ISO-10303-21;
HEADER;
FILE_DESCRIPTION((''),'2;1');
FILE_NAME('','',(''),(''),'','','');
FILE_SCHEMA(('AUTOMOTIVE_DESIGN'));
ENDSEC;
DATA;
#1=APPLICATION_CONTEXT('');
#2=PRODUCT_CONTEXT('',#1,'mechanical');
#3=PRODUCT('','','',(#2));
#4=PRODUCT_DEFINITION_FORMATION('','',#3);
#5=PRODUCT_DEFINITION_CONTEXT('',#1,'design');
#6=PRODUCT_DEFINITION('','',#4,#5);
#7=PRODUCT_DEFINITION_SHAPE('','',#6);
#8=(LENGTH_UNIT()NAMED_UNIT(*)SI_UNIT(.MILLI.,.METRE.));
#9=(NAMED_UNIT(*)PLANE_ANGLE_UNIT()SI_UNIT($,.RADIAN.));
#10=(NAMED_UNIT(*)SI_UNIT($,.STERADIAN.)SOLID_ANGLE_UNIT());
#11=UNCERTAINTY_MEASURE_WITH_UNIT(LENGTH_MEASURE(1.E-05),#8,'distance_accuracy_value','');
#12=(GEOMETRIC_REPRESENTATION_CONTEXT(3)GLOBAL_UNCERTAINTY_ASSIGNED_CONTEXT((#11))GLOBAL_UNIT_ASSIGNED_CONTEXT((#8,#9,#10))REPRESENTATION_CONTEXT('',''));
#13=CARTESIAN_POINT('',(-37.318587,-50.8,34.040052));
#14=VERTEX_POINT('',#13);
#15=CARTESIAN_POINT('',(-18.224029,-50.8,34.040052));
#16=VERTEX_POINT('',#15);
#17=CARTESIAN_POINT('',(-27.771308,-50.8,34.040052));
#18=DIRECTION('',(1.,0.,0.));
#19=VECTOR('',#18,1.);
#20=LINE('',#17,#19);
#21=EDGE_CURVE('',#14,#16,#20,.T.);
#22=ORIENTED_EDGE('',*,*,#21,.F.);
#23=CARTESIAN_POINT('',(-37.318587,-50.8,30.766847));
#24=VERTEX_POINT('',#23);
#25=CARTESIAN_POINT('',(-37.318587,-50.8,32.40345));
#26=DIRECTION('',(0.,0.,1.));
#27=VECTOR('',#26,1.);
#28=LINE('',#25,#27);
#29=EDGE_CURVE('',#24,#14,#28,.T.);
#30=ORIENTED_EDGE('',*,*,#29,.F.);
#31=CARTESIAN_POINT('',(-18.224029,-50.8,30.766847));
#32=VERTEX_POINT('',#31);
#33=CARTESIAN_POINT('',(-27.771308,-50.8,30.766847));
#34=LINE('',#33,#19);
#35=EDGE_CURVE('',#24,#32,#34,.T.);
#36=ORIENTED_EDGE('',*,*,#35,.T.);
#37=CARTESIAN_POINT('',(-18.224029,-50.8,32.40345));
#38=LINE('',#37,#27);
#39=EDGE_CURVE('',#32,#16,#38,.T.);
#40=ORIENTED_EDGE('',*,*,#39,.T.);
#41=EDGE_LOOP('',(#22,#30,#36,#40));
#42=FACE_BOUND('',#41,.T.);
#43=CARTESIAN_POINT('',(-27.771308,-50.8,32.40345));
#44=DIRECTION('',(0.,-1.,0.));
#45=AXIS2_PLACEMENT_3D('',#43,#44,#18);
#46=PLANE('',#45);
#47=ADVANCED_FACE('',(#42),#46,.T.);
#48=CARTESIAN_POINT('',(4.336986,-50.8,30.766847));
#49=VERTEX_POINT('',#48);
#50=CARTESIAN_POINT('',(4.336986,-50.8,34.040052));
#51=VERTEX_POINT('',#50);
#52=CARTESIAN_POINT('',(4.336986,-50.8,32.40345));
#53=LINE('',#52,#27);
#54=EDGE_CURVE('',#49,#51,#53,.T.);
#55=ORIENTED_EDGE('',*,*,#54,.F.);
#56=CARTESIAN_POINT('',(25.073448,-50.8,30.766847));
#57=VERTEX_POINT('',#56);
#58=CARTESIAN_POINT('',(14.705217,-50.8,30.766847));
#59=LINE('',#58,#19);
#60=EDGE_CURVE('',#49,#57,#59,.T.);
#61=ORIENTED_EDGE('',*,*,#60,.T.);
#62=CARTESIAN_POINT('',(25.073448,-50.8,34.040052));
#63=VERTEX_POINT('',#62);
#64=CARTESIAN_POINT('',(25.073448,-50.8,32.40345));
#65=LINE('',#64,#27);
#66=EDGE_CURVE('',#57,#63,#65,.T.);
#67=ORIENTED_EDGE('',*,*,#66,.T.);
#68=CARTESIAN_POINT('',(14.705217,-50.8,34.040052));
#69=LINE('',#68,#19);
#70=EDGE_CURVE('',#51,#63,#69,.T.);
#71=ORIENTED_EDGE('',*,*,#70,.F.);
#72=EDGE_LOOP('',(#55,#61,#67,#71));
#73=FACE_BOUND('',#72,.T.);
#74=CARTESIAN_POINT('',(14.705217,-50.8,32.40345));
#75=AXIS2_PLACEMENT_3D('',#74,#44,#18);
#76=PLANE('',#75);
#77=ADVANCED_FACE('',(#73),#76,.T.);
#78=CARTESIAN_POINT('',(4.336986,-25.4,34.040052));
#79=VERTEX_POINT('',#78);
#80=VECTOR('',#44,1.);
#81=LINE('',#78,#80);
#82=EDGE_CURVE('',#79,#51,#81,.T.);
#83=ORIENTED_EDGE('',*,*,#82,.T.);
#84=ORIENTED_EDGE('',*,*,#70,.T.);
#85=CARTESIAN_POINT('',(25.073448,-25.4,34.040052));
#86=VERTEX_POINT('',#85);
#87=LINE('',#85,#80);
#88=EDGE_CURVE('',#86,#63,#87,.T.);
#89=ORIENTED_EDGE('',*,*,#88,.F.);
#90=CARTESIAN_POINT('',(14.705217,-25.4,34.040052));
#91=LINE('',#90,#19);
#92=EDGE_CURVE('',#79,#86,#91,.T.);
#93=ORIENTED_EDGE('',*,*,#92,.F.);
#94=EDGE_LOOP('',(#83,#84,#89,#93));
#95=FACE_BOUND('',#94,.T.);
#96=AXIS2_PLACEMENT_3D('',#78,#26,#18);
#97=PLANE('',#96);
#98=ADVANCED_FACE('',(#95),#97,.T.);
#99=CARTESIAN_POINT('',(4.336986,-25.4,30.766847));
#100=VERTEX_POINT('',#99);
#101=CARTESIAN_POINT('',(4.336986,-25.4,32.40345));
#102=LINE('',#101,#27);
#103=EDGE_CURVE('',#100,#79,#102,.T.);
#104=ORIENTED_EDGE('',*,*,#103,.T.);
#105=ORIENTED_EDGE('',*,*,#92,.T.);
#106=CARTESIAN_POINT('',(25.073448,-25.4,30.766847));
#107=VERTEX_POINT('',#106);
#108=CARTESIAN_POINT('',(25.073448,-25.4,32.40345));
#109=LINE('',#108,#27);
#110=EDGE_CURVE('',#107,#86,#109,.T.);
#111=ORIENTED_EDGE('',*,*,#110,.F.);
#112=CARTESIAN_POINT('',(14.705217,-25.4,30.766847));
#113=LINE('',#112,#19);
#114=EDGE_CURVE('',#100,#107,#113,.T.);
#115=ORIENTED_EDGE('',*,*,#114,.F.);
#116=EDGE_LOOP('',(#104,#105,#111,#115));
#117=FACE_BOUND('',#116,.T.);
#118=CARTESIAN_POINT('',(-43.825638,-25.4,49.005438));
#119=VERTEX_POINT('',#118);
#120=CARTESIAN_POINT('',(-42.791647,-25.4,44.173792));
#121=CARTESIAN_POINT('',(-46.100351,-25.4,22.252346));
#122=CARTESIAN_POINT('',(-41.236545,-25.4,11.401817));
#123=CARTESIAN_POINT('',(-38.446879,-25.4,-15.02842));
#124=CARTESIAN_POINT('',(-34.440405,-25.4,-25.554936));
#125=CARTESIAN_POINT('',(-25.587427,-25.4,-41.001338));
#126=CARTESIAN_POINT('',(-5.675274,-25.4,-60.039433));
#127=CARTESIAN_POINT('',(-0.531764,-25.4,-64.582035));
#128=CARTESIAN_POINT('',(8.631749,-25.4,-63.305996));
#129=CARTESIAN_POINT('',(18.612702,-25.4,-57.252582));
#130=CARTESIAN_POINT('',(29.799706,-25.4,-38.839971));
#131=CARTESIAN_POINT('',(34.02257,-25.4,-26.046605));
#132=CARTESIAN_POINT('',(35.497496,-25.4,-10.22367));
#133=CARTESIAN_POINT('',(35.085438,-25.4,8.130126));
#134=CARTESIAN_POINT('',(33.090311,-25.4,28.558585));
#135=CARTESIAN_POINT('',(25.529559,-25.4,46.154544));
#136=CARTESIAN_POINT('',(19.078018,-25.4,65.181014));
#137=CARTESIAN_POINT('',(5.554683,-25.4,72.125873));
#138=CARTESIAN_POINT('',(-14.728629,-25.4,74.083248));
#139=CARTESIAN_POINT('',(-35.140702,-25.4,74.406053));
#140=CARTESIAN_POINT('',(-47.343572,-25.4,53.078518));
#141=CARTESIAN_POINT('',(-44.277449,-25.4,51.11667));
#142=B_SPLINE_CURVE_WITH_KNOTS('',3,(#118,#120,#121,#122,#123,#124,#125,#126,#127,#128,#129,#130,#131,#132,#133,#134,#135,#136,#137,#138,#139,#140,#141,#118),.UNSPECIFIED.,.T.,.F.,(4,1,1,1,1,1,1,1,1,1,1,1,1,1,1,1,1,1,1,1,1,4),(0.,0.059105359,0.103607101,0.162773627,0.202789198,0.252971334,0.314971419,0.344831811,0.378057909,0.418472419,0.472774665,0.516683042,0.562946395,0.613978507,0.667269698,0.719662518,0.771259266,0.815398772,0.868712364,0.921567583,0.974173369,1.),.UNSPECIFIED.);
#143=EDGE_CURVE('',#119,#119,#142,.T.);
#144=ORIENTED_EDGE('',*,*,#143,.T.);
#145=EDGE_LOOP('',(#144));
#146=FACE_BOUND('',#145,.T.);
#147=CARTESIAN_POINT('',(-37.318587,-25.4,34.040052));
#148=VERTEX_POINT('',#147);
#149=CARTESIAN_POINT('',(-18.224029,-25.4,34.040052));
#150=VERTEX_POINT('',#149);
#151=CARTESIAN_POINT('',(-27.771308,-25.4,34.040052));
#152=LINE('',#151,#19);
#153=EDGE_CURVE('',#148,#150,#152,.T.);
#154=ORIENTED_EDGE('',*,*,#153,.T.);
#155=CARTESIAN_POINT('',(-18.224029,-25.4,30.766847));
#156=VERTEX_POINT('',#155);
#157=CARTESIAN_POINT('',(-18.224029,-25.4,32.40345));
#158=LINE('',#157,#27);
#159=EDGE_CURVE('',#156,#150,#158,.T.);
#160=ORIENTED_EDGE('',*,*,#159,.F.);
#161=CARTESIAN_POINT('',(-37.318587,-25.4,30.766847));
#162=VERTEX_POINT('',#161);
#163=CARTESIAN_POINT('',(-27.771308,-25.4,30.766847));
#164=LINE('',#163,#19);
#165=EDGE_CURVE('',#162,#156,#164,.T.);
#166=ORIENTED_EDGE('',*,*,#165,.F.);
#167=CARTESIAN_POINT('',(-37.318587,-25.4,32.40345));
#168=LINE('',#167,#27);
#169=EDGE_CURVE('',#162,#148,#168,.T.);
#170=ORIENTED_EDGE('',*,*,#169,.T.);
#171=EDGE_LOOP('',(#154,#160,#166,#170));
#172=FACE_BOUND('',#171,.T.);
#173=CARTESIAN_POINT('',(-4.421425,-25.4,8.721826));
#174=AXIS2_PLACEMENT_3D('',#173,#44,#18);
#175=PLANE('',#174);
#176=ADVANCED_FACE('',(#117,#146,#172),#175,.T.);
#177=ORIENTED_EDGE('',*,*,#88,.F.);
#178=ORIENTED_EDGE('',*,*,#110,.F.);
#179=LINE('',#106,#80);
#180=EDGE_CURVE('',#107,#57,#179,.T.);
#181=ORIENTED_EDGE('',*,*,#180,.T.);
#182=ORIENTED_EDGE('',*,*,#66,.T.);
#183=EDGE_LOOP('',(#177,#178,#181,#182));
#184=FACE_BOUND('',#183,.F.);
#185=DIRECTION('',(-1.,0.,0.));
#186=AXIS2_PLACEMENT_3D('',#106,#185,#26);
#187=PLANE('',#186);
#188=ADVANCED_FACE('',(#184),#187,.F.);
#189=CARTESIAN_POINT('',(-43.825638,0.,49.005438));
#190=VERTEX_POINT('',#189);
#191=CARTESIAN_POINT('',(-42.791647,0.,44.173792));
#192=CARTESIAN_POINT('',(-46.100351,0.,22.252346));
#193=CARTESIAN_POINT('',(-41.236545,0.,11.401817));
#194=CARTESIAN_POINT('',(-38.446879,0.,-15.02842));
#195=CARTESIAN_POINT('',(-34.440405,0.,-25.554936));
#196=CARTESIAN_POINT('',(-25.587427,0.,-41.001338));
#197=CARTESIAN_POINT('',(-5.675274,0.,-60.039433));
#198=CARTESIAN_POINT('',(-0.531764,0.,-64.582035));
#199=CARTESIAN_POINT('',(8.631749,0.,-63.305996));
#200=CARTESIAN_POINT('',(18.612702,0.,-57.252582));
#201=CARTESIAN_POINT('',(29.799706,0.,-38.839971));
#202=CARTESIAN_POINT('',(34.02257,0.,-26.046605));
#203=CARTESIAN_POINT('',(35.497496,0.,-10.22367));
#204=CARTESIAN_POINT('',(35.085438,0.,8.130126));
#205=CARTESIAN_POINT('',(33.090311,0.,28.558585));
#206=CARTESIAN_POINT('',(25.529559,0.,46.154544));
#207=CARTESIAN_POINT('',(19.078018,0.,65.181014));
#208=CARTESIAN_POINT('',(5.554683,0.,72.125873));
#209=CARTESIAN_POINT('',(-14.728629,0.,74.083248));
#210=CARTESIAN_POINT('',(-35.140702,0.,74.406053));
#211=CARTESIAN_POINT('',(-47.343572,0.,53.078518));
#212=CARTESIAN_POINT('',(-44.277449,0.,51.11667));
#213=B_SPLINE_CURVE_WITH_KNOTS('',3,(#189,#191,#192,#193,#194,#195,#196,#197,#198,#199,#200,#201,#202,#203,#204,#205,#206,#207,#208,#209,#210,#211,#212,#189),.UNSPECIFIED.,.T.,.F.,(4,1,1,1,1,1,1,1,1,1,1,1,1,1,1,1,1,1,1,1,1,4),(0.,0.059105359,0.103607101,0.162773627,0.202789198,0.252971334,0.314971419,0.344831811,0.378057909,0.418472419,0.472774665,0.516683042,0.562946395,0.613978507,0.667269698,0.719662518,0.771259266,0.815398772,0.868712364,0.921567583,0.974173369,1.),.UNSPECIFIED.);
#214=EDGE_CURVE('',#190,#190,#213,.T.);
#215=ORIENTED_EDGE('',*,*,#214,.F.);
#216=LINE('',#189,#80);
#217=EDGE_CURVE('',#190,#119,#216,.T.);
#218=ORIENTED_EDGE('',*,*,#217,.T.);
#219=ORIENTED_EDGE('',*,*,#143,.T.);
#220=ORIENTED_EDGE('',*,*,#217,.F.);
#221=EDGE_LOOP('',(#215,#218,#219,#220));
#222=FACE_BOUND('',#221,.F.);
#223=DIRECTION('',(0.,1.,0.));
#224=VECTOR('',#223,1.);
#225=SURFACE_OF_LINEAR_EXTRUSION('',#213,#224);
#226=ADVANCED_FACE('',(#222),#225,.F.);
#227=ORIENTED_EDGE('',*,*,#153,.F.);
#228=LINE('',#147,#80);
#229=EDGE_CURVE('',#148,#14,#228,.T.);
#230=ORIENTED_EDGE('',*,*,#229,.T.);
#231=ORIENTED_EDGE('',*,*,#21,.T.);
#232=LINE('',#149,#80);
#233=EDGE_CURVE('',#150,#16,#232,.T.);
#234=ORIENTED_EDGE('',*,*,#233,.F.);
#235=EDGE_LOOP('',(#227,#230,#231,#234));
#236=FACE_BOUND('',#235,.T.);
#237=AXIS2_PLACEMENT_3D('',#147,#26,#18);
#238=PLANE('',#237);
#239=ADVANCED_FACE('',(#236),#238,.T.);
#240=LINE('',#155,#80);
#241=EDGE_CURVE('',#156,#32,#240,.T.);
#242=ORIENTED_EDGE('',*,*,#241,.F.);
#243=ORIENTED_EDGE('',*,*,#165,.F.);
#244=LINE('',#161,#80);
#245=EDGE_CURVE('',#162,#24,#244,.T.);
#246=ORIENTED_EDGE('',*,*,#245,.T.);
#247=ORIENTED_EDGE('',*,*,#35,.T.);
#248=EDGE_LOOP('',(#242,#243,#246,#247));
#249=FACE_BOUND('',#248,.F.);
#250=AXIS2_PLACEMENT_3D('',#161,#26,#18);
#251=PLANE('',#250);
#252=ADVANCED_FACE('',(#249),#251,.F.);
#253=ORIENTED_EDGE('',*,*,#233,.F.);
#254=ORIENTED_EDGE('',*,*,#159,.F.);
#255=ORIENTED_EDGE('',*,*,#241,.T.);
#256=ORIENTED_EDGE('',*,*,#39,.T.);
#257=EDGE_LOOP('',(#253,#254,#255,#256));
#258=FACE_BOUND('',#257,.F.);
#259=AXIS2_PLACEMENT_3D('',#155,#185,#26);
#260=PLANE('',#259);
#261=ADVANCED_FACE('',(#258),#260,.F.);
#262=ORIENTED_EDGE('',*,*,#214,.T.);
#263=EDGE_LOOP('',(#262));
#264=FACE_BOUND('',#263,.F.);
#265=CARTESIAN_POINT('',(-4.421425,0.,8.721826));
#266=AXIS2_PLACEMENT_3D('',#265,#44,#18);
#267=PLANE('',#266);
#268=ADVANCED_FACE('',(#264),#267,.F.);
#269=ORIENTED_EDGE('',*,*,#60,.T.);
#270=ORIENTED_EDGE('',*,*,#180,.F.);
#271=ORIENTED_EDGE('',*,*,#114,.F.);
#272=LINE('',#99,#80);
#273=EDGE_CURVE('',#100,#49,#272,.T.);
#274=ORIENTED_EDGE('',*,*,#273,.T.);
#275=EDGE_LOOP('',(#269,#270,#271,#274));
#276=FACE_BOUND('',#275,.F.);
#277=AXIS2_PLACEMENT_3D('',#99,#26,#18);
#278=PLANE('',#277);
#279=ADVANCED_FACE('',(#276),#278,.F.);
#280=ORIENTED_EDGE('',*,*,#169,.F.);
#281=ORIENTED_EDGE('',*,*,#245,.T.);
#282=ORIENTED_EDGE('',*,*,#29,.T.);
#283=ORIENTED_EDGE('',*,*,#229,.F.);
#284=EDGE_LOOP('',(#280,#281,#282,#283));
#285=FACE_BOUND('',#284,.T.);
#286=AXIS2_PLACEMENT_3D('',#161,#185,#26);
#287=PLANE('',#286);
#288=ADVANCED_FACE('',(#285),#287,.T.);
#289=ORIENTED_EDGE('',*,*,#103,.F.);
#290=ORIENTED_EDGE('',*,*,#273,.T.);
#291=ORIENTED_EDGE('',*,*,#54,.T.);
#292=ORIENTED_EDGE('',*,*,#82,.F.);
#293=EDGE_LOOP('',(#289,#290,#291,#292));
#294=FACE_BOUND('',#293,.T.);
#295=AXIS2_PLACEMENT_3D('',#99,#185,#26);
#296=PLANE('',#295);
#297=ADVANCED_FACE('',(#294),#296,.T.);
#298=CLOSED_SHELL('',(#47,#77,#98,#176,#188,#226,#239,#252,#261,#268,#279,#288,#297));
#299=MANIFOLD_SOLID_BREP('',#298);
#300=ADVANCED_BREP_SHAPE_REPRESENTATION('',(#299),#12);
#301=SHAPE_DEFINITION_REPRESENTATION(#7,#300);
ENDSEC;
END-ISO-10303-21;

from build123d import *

# Parameters (mm, degrees)
F1_DEPTH = 25.4
F2_W     = 19.0945584327
F2_H     = 3.2732058316
F3_DEPTH = 25.4
F4_W     = 20.736461971
F4_H     = 3.2732058316
F5_DEPTH = 25.4


with BuildPart() as f1:
    # F0 (on Front) → F1 (new body)
    with BuildSketch(Plane.XZ):
        with BuildLine():
            add(Edge.make_bspline(
                [(-43.8256375492, 49.0054376423), (-42.7916469696, 44.173791818), (-46.1003508943, 22.2523463295), (-41.2365449541, 11.4018173918), (-38.4468794286, -15.0284204945), (-34.4404053019, -25.5549359592), (-25.5874273702, -41.0013375146), (-5.6752740256, -60.0394326793), (-0.5317638242, -64.582035161), (8.6317494058, -63.3059960665), (18.6127022363, -57.25258167), (29.7997063716, -38.8399710786), (34.0225700596, -26.046605234), (35.4974956894, -10.2236704325), (35.0854384121, 8.1301256606), (33.0903105303, 28.5585849949), (25.5295594833, 46.1545442627), (19.0780176286, 65.1810135254), (5.5546828919, 72.125873235), (-14.7286294195, 74.0832481465), (-35.1407015096, 74.4060534532), (-47.3435715893, 53.0785176575), (-44.2774492649, 51.1166698266), (-43.8256375492, 49.0054376423)],
                knots=[0, 0, 0, 0, 0.0591053589, 0.103607101, 0.1627736267, 0.2027891978, 0.2529713341, 0.3149714192, 0.3448318115, 0.3780579088, 0.4184724188, 0.4727746648, 0.5166830419, 0.5629463952, 0.6139785068, 0.6672696985, 0.7196625185, 0.7712592657, 0.8153987723, 0.8687123638, 0.921567583, 0.9741733685, 1, 1, 1, 1], degree=3))
        make_face()
    extrude(amount=F1_DEPTH)

    # F2 (on face) → F3 (join)
    with BuildSketch(Plane.XZ.offset(25.4)):
        with Locations((-27.7713080868, 32.4034495279)):
            Rectangle(F2_W, F2_H)
    extrude(amount=F3_DEPTH)

    # F4 (on face) → F5 (join)
    with BuildSketch(Plane.XZ.offset(25.4)):
        with Locations((14.7052172106, 32.4034495279)):
            Rectangle(F4_W, F4_H)
    extrude(amount=F5_DEPTH)


solid = f1.part
